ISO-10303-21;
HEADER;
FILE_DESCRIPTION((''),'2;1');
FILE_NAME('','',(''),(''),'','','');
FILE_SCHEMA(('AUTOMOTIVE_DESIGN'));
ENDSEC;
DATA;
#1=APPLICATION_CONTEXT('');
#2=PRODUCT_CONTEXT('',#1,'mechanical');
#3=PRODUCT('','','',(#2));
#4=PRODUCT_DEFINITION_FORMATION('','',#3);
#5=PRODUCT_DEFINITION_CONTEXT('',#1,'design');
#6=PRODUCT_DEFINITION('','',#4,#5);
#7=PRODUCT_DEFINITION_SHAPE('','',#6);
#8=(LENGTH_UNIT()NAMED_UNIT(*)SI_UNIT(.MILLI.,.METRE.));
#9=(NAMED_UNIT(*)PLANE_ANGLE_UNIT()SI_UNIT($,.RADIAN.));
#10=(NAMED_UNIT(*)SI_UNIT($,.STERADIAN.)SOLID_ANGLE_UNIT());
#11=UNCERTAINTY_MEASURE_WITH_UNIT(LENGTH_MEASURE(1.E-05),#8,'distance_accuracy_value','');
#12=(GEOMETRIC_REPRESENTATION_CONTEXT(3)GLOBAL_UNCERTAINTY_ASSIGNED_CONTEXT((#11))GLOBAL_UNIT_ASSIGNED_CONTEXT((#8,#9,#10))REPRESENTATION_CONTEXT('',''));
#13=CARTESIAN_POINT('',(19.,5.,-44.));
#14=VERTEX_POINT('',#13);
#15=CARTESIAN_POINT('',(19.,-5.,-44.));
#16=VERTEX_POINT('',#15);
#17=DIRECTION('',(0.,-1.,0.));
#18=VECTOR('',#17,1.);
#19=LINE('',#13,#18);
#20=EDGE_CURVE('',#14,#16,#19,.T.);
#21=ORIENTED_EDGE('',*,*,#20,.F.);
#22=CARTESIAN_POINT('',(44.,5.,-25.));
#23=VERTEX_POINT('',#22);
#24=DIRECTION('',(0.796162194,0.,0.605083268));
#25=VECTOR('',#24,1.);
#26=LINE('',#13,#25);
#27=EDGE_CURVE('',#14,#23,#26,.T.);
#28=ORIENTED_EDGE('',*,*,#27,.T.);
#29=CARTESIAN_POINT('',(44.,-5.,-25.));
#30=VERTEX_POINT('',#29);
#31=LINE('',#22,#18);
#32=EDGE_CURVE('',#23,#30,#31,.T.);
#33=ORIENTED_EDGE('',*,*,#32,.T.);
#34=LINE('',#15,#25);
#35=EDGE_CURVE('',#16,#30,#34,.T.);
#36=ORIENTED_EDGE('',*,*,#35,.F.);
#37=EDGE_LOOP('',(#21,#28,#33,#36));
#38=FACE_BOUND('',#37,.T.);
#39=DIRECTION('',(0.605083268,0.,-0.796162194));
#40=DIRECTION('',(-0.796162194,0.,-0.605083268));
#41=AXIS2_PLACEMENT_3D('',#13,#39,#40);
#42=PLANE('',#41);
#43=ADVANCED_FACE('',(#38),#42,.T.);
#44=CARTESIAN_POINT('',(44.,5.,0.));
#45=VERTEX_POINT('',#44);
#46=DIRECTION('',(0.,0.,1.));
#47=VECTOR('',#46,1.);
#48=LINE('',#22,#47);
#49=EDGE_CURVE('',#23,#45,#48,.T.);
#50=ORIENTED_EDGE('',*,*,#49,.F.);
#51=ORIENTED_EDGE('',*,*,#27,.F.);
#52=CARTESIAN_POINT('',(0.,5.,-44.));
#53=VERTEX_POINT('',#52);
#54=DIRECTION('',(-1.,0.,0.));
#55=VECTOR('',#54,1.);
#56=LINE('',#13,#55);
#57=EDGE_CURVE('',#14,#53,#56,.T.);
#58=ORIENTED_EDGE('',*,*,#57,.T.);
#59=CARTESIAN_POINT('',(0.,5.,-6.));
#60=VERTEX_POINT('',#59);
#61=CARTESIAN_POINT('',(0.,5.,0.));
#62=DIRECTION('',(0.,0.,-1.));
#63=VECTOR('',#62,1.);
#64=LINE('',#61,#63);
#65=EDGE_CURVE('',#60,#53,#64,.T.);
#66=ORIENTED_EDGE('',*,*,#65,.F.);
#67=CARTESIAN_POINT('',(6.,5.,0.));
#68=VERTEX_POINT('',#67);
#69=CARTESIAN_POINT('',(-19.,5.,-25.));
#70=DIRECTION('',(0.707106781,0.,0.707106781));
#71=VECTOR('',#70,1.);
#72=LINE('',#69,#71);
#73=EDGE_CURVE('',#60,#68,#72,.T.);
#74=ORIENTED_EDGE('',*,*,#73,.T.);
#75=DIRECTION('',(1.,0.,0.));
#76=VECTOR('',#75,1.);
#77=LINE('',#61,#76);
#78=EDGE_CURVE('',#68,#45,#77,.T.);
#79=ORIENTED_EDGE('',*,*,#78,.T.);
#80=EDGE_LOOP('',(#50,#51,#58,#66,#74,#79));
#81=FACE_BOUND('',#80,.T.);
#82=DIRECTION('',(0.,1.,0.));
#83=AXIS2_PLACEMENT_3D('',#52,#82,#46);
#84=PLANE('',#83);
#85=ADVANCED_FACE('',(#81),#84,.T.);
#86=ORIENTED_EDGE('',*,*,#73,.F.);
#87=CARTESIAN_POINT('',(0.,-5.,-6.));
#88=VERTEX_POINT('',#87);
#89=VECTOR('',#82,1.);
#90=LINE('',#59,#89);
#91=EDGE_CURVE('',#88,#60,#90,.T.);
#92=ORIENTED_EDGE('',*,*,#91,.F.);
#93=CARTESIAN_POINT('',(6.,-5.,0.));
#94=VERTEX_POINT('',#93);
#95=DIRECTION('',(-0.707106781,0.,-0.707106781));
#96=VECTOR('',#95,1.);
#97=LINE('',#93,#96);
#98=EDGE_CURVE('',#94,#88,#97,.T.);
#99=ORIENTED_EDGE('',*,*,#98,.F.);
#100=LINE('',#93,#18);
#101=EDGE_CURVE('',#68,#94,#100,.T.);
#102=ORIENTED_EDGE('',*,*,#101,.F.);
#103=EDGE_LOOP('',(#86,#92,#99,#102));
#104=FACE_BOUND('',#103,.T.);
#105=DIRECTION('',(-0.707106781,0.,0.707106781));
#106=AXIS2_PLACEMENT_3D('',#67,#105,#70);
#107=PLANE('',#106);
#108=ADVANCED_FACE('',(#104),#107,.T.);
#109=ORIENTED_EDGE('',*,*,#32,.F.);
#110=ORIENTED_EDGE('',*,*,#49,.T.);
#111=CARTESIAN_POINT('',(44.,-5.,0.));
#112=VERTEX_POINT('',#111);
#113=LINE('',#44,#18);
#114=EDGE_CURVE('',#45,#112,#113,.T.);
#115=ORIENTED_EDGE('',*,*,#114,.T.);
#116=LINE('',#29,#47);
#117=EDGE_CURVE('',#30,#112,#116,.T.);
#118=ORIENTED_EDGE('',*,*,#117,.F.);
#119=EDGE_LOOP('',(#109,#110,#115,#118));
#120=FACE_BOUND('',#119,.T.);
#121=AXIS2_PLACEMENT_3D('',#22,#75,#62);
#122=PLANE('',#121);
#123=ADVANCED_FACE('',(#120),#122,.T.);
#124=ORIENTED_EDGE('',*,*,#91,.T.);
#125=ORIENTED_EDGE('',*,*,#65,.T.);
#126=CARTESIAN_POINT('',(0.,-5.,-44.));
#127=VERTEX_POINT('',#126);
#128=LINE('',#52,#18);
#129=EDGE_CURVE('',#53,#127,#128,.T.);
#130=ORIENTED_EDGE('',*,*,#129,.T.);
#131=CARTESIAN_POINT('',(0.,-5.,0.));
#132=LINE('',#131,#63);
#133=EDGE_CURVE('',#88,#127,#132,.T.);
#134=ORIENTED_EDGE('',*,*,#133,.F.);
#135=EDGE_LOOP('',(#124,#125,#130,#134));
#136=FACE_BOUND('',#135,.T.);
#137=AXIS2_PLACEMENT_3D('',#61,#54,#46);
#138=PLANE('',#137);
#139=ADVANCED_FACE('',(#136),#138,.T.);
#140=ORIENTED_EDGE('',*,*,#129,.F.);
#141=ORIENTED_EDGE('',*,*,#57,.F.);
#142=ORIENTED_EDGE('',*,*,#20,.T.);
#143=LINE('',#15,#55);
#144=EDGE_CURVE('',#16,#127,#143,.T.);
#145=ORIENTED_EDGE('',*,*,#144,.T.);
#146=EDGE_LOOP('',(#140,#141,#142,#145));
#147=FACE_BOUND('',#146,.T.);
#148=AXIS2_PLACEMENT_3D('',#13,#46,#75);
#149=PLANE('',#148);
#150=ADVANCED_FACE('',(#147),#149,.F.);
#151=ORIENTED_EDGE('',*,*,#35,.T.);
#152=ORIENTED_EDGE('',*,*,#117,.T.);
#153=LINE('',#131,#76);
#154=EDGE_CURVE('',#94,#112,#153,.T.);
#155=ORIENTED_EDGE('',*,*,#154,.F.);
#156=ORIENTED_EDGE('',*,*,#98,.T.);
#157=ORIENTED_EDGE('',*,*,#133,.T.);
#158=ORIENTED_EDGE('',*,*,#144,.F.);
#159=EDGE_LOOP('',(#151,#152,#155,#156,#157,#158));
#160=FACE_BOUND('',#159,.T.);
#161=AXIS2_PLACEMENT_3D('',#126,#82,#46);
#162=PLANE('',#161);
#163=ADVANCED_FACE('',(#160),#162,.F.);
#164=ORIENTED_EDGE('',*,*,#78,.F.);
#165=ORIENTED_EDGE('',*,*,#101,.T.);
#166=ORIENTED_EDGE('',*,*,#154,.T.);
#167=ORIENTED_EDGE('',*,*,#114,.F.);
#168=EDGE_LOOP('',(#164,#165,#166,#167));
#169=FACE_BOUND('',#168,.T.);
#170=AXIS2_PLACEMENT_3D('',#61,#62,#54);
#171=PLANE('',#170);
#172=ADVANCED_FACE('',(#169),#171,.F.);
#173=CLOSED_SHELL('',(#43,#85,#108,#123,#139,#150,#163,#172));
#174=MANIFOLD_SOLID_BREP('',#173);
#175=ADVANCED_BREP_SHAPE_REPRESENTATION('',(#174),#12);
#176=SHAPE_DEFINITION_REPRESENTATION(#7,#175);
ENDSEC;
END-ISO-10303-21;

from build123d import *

# Parameters (mm, degrees)
BASE_EXTRUDE_DEPTH = 5
CHAMFER1_SIZE      = 6


with BuildPart() as part:
    # Sketch1 → Base-Extrude (new, symmetric)
    with BuildSketch(Plane(origin=(0, 0, 0), x_dir=(1, 0, 0), z_dir=(0, 1, 0))):
        Polygon((0, 0), (44, 0), (44, 25), (19, 44), (0, 44), align=None)
    extrude(amount=BASE_EXTRUDE_DEPTH, both=True)

    # Chamfer1
    chamfer1_edges = [part.edges().sort_by_distance(p)[0] for p in [
        (0, 0, 0),
    ]]
    chamfer(chamfer1_edges, length=CHAMFER1_SIZE)


solid = part.part
